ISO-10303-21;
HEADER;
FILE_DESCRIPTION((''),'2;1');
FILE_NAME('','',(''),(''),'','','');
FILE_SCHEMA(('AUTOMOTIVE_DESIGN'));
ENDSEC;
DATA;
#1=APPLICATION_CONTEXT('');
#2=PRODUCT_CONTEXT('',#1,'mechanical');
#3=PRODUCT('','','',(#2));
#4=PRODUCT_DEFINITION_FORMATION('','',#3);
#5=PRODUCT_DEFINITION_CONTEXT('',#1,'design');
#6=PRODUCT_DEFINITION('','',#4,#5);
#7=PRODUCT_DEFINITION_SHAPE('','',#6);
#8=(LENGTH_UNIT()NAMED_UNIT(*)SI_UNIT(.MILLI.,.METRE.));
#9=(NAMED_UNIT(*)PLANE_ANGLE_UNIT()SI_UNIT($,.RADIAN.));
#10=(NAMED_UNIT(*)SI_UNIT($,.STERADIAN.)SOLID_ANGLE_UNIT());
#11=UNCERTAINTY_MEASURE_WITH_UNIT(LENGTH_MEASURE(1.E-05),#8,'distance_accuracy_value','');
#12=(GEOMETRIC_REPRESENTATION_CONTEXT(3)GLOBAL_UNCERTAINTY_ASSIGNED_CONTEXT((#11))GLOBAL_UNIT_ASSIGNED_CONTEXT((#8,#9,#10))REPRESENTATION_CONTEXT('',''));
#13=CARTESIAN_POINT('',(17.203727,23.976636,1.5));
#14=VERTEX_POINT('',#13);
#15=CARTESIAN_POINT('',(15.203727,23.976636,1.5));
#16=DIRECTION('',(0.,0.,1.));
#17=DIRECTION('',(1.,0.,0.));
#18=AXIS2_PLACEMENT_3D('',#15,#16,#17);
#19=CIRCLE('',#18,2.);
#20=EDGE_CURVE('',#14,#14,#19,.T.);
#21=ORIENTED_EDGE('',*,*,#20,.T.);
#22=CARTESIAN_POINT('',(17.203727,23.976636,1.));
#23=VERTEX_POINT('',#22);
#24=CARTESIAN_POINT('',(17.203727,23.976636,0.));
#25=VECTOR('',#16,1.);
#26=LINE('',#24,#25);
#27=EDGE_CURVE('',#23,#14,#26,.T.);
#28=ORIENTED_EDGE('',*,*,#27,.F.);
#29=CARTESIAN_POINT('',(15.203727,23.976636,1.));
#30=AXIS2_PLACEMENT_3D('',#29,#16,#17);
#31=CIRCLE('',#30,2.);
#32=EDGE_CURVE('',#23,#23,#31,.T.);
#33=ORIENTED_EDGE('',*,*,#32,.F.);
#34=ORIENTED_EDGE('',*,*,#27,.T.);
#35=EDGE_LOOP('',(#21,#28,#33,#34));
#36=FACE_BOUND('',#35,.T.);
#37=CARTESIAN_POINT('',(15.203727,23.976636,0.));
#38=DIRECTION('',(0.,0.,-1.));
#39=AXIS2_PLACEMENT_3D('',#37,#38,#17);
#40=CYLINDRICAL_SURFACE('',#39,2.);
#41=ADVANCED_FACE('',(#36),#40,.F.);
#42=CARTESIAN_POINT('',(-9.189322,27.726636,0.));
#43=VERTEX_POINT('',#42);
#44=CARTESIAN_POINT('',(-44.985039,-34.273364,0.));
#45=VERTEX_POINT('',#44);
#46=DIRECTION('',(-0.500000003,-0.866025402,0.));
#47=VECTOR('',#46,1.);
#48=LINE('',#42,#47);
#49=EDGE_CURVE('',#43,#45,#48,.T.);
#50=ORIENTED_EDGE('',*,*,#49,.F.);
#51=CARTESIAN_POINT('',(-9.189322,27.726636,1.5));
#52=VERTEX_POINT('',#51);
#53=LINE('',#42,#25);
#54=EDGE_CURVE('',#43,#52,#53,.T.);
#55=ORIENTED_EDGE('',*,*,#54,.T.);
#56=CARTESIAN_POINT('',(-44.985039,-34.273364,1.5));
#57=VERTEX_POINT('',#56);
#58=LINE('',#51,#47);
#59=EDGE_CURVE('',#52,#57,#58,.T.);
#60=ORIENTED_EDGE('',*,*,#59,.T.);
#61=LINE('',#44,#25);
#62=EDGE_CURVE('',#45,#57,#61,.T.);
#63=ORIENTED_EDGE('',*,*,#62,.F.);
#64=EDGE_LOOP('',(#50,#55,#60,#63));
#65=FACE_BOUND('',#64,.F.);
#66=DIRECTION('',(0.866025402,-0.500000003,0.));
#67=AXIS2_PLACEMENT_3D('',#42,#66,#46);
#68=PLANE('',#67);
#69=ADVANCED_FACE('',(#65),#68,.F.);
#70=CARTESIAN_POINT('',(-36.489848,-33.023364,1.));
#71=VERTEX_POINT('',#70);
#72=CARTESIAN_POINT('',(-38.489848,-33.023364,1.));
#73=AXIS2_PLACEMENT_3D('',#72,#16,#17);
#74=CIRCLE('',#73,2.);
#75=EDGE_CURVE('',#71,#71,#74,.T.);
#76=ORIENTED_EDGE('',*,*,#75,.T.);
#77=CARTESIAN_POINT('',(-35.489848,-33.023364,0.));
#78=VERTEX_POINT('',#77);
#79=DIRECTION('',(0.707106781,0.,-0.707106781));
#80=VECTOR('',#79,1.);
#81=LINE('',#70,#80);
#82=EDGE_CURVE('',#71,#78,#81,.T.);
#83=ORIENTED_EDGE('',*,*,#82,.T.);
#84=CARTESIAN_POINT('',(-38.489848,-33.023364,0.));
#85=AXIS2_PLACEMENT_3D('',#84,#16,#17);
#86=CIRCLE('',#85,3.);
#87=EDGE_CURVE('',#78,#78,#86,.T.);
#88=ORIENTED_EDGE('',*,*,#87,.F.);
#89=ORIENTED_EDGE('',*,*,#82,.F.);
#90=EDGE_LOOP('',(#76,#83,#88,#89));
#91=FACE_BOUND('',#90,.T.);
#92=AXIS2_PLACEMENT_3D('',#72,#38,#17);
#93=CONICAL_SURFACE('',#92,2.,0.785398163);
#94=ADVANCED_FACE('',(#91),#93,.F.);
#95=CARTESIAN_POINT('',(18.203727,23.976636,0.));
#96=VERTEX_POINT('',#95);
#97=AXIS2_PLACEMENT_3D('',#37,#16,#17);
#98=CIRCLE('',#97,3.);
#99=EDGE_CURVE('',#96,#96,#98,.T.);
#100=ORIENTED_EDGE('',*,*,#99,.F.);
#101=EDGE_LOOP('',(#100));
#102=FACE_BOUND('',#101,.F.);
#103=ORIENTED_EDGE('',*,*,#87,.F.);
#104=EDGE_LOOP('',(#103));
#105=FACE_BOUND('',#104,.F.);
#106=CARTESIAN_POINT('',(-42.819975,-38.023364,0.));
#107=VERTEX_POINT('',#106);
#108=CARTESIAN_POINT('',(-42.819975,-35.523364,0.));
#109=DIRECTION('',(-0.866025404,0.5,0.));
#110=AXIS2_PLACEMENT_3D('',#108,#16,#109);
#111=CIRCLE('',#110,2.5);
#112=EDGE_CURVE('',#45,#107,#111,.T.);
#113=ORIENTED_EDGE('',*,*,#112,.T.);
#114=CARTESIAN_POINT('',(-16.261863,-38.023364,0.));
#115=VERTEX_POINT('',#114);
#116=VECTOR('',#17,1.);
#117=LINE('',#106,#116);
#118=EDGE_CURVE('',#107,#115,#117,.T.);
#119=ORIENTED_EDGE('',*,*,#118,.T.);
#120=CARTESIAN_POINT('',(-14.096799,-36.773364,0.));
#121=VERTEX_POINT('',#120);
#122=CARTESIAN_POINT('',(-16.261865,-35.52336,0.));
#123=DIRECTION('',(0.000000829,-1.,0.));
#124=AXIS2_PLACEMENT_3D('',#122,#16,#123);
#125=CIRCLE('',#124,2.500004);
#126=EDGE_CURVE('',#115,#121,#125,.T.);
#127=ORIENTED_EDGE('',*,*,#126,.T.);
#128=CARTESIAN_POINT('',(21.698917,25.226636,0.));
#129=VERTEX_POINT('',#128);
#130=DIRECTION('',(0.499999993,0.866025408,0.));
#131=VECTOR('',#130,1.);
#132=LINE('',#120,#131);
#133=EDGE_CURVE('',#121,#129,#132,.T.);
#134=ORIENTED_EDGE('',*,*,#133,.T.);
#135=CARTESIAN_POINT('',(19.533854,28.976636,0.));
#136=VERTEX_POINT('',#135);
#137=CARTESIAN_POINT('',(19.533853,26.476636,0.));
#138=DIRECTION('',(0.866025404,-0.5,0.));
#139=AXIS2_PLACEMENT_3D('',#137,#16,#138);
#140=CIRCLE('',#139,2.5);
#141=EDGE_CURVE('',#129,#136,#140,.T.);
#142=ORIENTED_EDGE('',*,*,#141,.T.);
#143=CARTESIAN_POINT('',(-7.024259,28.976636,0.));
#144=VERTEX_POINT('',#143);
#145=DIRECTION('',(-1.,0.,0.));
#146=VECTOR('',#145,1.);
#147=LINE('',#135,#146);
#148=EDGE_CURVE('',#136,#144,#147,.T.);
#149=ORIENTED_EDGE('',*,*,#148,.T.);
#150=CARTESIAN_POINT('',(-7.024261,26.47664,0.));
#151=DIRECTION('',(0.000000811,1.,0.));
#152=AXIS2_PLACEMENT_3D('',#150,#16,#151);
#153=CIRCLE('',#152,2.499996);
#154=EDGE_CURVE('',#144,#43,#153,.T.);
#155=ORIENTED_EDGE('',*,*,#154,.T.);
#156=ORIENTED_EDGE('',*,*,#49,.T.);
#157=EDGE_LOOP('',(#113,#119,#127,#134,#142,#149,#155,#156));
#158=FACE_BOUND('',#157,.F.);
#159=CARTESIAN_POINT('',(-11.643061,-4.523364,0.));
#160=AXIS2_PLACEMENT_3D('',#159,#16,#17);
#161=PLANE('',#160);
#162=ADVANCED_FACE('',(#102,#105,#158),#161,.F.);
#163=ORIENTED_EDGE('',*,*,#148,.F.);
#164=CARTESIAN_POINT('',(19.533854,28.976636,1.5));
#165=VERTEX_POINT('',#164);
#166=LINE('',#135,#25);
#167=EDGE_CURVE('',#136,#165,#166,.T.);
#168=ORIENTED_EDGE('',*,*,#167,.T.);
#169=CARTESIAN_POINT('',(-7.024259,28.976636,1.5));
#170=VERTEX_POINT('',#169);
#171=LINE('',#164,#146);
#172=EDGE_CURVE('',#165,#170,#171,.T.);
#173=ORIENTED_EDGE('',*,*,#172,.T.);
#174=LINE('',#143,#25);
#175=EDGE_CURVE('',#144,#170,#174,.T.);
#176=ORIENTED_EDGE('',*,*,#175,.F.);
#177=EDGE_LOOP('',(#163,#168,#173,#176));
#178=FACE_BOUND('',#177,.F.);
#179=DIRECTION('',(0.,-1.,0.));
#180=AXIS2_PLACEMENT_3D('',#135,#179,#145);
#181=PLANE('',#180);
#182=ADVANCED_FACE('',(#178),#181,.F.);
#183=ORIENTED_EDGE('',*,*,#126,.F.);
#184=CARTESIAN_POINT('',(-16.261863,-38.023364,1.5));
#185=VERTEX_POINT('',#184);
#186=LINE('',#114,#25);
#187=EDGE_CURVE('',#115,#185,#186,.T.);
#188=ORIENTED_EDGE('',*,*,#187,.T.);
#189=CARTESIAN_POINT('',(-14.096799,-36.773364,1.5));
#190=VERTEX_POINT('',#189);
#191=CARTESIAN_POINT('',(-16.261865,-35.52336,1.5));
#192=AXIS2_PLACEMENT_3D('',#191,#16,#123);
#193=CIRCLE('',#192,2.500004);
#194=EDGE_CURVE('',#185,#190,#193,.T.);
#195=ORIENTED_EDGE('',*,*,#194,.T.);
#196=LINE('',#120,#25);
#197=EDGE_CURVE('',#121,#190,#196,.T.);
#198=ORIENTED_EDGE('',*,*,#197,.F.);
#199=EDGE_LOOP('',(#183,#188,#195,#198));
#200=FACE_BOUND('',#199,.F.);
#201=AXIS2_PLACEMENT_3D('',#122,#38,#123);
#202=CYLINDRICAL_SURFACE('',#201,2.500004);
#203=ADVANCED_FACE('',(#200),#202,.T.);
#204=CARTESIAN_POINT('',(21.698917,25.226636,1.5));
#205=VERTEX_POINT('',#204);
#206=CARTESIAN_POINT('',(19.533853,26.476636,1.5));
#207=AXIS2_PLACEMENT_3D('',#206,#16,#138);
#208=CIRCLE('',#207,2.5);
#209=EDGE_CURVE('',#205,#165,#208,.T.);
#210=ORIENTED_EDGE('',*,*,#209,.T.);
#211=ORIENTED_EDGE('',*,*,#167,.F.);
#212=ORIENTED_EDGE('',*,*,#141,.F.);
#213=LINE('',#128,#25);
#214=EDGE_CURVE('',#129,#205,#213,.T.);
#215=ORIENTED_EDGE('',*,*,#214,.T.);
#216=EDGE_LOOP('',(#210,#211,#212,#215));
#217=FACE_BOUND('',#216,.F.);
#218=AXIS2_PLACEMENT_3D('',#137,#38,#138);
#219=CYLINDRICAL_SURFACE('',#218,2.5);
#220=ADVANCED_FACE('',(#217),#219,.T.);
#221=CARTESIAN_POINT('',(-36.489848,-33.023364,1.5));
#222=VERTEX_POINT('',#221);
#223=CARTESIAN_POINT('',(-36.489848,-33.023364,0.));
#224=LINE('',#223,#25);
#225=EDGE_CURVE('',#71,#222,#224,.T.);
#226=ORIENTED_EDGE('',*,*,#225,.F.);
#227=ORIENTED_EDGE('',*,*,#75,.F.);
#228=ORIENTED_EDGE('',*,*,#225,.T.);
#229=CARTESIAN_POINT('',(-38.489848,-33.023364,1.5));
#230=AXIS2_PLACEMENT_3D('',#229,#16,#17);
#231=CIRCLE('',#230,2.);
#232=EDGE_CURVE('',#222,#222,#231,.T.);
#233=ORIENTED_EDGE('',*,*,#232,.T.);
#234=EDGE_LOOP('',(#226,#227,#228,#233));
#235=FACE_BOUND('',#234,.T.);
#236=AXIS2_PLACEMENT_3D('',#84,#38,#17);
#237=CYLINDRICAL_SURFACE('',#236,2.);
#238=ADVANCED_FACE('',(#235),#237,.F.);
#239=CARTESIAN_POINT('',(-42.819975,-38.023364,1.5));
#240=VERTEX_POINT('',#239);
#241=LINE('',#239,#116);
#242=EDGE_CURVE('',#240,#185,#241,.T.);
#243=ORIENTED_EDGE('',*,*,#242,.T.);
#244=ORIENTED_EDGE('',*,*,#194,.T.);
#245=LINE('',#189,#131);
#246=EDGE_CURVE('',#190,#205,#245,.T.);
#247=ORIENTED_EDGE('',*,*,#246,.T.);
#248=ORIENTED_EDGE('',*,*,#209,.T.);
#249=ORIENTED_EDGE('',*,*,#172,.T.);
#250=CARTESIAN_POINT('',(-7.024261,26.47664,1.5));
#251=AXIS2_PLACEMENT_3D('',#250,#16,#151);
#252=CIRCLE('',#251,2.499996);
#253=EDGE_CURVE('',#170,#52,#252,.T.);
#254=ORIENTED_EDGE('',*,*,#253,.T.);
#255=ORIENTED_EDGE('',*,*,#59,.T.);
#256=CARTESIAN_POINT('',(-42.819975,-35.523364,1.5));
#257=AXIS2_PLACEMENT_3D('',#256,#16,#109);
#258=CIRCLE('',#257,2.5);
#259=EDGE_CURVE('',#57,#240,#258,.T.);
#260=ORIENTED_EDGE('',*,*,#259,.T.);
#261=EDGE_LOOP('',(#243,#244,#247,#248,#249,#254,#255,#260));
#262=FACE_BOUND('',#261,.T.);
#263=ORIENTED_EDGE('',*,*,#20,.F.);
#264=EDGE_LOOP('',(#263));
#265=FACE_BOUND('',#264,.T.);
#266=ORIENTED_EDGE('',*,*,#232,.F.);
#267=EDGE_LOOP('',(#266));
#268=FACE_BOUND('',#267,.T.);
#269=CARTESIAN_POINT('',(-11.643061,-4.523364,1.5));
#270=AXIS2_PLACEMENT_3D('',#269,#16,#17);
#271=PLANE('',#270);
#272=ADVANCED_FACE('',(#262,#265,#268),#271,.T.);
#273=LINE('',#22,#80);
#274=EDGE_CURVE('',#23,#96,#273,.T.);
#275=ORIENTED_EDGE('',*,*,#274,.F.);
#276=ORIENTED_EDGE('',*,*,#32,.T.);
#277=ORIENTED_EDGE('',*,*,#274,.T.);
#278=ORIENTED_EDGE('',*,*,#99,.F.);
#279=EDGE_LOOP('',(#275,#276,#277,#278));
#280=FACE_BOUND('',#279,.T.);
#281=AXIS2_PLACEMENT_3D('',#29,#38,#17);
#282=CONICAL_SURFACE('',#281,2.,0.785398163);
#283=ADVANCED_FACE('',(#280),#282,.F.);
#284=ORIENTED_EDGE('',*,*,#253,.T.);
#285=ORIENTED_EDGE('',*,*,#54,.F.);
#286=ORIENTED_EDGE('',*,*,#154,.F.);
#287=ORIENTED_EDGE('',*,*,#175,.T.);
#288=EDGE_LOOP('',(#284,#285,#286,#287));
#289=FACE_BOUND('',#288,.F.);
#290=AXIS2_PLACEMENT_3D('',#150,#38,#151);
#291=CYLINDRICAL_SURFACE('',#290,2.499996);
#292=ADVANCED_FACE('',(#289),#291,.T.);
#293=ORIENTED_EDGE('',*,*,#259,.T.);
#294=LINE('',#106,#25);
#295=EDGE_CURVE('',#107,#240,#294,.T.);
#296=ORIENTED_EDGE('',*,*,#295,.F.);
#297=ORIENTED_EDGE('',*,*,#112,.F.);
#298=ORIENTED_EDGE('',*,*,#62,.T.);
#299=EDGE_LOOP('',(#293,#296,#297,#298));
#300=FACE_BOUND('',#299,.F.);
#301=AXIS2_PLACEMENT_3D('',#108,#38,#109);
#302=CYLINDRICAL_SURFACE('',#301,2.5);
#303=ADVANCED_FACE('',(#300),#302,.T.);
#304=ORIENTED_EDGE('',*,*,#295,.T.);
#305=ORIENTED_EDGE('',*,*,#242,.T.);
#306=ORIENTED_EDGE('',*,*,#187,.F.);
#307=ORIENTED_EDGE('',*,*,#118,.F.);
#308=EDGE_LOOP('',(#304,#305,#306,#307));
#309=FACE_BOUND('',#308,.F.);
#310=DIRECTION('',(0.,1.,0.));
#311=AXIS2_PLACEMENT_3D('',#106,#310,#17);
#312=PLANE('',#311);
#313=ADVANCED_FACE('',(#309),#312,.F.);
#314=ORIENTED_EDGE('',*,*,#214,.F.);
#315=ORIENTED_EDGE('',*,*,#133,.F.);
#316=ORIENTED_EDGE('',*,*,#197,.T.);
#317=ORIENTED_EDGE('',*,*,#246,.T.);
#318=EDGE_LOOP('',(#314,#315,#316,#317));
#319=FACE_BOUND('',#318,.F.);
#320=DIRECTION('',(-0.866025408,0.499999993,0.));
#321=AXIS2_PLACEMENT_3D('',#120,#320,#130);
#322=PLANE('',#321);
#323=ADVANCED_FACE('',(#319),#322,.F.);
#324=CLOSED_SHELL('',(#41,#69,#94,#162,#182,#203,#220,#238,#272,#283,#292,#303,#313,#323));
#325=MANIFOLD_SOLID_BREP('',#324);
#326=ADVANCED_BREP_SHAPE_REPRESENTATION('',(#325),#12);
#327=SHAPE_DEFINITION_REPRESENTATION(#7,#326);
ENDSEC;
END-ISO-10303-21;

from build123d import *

# Parameters (mm, degrees)
F0_R     = 2
F1_DEPTH = 1.5
F2_SIZE  = 1


with BuildPart() as f1:
    # F0 (on Top) → F1 (new body)
    with BuildSketch(Plane.XY):
        with BuildLine():
            Line((-9.189322, 27.726636), (-44.985039, -34.273364))
            ThreePointArc((-44.985039, -34.273364), (-44.985039, -36.773364), (-42.819975, -38.023364))
            Line((-42.819975, -38.023364), (-16.261863, -38.023364))
            ThreePointArc((-16.261863, -38.023364), (-15.011863, -37.688427), (-14.096799, -36.773364))
            Line((-14.096799, -36.773364), (21.698917, 25.226636))
            ThreePointArc((21.698917, 25.226636), (21.698917, 27.726636), (19.533854, 28.976636))
            Line((19.533854, 28.976636), (-7.024259, 28.976636))
            ThreePointArc((-7.024259, 28.976636), (-8.274259, 28.6417), (-9.189322, 27.726636))
        make_face()
        with Locations((-38.489848, -33.023364)):
            Circle(F0_R, mode=Mode.SUBTRACT)
        with Locations((15.203727, 23.976636)):
            Circle(F0_R, mode=Mode.SUBTRACT)
    extrude(amount=F1_DEPTH)

    # F2
    f2_edges = [f1.edges().sort_by_distance(p)[0] for p in [
        (13.203727, 23.976636, 0),
        (-40.489848, -33.023364, 0),
    ]]
    chamfer(f2_edges, length=F2_SIZE)


solid = f1.part
